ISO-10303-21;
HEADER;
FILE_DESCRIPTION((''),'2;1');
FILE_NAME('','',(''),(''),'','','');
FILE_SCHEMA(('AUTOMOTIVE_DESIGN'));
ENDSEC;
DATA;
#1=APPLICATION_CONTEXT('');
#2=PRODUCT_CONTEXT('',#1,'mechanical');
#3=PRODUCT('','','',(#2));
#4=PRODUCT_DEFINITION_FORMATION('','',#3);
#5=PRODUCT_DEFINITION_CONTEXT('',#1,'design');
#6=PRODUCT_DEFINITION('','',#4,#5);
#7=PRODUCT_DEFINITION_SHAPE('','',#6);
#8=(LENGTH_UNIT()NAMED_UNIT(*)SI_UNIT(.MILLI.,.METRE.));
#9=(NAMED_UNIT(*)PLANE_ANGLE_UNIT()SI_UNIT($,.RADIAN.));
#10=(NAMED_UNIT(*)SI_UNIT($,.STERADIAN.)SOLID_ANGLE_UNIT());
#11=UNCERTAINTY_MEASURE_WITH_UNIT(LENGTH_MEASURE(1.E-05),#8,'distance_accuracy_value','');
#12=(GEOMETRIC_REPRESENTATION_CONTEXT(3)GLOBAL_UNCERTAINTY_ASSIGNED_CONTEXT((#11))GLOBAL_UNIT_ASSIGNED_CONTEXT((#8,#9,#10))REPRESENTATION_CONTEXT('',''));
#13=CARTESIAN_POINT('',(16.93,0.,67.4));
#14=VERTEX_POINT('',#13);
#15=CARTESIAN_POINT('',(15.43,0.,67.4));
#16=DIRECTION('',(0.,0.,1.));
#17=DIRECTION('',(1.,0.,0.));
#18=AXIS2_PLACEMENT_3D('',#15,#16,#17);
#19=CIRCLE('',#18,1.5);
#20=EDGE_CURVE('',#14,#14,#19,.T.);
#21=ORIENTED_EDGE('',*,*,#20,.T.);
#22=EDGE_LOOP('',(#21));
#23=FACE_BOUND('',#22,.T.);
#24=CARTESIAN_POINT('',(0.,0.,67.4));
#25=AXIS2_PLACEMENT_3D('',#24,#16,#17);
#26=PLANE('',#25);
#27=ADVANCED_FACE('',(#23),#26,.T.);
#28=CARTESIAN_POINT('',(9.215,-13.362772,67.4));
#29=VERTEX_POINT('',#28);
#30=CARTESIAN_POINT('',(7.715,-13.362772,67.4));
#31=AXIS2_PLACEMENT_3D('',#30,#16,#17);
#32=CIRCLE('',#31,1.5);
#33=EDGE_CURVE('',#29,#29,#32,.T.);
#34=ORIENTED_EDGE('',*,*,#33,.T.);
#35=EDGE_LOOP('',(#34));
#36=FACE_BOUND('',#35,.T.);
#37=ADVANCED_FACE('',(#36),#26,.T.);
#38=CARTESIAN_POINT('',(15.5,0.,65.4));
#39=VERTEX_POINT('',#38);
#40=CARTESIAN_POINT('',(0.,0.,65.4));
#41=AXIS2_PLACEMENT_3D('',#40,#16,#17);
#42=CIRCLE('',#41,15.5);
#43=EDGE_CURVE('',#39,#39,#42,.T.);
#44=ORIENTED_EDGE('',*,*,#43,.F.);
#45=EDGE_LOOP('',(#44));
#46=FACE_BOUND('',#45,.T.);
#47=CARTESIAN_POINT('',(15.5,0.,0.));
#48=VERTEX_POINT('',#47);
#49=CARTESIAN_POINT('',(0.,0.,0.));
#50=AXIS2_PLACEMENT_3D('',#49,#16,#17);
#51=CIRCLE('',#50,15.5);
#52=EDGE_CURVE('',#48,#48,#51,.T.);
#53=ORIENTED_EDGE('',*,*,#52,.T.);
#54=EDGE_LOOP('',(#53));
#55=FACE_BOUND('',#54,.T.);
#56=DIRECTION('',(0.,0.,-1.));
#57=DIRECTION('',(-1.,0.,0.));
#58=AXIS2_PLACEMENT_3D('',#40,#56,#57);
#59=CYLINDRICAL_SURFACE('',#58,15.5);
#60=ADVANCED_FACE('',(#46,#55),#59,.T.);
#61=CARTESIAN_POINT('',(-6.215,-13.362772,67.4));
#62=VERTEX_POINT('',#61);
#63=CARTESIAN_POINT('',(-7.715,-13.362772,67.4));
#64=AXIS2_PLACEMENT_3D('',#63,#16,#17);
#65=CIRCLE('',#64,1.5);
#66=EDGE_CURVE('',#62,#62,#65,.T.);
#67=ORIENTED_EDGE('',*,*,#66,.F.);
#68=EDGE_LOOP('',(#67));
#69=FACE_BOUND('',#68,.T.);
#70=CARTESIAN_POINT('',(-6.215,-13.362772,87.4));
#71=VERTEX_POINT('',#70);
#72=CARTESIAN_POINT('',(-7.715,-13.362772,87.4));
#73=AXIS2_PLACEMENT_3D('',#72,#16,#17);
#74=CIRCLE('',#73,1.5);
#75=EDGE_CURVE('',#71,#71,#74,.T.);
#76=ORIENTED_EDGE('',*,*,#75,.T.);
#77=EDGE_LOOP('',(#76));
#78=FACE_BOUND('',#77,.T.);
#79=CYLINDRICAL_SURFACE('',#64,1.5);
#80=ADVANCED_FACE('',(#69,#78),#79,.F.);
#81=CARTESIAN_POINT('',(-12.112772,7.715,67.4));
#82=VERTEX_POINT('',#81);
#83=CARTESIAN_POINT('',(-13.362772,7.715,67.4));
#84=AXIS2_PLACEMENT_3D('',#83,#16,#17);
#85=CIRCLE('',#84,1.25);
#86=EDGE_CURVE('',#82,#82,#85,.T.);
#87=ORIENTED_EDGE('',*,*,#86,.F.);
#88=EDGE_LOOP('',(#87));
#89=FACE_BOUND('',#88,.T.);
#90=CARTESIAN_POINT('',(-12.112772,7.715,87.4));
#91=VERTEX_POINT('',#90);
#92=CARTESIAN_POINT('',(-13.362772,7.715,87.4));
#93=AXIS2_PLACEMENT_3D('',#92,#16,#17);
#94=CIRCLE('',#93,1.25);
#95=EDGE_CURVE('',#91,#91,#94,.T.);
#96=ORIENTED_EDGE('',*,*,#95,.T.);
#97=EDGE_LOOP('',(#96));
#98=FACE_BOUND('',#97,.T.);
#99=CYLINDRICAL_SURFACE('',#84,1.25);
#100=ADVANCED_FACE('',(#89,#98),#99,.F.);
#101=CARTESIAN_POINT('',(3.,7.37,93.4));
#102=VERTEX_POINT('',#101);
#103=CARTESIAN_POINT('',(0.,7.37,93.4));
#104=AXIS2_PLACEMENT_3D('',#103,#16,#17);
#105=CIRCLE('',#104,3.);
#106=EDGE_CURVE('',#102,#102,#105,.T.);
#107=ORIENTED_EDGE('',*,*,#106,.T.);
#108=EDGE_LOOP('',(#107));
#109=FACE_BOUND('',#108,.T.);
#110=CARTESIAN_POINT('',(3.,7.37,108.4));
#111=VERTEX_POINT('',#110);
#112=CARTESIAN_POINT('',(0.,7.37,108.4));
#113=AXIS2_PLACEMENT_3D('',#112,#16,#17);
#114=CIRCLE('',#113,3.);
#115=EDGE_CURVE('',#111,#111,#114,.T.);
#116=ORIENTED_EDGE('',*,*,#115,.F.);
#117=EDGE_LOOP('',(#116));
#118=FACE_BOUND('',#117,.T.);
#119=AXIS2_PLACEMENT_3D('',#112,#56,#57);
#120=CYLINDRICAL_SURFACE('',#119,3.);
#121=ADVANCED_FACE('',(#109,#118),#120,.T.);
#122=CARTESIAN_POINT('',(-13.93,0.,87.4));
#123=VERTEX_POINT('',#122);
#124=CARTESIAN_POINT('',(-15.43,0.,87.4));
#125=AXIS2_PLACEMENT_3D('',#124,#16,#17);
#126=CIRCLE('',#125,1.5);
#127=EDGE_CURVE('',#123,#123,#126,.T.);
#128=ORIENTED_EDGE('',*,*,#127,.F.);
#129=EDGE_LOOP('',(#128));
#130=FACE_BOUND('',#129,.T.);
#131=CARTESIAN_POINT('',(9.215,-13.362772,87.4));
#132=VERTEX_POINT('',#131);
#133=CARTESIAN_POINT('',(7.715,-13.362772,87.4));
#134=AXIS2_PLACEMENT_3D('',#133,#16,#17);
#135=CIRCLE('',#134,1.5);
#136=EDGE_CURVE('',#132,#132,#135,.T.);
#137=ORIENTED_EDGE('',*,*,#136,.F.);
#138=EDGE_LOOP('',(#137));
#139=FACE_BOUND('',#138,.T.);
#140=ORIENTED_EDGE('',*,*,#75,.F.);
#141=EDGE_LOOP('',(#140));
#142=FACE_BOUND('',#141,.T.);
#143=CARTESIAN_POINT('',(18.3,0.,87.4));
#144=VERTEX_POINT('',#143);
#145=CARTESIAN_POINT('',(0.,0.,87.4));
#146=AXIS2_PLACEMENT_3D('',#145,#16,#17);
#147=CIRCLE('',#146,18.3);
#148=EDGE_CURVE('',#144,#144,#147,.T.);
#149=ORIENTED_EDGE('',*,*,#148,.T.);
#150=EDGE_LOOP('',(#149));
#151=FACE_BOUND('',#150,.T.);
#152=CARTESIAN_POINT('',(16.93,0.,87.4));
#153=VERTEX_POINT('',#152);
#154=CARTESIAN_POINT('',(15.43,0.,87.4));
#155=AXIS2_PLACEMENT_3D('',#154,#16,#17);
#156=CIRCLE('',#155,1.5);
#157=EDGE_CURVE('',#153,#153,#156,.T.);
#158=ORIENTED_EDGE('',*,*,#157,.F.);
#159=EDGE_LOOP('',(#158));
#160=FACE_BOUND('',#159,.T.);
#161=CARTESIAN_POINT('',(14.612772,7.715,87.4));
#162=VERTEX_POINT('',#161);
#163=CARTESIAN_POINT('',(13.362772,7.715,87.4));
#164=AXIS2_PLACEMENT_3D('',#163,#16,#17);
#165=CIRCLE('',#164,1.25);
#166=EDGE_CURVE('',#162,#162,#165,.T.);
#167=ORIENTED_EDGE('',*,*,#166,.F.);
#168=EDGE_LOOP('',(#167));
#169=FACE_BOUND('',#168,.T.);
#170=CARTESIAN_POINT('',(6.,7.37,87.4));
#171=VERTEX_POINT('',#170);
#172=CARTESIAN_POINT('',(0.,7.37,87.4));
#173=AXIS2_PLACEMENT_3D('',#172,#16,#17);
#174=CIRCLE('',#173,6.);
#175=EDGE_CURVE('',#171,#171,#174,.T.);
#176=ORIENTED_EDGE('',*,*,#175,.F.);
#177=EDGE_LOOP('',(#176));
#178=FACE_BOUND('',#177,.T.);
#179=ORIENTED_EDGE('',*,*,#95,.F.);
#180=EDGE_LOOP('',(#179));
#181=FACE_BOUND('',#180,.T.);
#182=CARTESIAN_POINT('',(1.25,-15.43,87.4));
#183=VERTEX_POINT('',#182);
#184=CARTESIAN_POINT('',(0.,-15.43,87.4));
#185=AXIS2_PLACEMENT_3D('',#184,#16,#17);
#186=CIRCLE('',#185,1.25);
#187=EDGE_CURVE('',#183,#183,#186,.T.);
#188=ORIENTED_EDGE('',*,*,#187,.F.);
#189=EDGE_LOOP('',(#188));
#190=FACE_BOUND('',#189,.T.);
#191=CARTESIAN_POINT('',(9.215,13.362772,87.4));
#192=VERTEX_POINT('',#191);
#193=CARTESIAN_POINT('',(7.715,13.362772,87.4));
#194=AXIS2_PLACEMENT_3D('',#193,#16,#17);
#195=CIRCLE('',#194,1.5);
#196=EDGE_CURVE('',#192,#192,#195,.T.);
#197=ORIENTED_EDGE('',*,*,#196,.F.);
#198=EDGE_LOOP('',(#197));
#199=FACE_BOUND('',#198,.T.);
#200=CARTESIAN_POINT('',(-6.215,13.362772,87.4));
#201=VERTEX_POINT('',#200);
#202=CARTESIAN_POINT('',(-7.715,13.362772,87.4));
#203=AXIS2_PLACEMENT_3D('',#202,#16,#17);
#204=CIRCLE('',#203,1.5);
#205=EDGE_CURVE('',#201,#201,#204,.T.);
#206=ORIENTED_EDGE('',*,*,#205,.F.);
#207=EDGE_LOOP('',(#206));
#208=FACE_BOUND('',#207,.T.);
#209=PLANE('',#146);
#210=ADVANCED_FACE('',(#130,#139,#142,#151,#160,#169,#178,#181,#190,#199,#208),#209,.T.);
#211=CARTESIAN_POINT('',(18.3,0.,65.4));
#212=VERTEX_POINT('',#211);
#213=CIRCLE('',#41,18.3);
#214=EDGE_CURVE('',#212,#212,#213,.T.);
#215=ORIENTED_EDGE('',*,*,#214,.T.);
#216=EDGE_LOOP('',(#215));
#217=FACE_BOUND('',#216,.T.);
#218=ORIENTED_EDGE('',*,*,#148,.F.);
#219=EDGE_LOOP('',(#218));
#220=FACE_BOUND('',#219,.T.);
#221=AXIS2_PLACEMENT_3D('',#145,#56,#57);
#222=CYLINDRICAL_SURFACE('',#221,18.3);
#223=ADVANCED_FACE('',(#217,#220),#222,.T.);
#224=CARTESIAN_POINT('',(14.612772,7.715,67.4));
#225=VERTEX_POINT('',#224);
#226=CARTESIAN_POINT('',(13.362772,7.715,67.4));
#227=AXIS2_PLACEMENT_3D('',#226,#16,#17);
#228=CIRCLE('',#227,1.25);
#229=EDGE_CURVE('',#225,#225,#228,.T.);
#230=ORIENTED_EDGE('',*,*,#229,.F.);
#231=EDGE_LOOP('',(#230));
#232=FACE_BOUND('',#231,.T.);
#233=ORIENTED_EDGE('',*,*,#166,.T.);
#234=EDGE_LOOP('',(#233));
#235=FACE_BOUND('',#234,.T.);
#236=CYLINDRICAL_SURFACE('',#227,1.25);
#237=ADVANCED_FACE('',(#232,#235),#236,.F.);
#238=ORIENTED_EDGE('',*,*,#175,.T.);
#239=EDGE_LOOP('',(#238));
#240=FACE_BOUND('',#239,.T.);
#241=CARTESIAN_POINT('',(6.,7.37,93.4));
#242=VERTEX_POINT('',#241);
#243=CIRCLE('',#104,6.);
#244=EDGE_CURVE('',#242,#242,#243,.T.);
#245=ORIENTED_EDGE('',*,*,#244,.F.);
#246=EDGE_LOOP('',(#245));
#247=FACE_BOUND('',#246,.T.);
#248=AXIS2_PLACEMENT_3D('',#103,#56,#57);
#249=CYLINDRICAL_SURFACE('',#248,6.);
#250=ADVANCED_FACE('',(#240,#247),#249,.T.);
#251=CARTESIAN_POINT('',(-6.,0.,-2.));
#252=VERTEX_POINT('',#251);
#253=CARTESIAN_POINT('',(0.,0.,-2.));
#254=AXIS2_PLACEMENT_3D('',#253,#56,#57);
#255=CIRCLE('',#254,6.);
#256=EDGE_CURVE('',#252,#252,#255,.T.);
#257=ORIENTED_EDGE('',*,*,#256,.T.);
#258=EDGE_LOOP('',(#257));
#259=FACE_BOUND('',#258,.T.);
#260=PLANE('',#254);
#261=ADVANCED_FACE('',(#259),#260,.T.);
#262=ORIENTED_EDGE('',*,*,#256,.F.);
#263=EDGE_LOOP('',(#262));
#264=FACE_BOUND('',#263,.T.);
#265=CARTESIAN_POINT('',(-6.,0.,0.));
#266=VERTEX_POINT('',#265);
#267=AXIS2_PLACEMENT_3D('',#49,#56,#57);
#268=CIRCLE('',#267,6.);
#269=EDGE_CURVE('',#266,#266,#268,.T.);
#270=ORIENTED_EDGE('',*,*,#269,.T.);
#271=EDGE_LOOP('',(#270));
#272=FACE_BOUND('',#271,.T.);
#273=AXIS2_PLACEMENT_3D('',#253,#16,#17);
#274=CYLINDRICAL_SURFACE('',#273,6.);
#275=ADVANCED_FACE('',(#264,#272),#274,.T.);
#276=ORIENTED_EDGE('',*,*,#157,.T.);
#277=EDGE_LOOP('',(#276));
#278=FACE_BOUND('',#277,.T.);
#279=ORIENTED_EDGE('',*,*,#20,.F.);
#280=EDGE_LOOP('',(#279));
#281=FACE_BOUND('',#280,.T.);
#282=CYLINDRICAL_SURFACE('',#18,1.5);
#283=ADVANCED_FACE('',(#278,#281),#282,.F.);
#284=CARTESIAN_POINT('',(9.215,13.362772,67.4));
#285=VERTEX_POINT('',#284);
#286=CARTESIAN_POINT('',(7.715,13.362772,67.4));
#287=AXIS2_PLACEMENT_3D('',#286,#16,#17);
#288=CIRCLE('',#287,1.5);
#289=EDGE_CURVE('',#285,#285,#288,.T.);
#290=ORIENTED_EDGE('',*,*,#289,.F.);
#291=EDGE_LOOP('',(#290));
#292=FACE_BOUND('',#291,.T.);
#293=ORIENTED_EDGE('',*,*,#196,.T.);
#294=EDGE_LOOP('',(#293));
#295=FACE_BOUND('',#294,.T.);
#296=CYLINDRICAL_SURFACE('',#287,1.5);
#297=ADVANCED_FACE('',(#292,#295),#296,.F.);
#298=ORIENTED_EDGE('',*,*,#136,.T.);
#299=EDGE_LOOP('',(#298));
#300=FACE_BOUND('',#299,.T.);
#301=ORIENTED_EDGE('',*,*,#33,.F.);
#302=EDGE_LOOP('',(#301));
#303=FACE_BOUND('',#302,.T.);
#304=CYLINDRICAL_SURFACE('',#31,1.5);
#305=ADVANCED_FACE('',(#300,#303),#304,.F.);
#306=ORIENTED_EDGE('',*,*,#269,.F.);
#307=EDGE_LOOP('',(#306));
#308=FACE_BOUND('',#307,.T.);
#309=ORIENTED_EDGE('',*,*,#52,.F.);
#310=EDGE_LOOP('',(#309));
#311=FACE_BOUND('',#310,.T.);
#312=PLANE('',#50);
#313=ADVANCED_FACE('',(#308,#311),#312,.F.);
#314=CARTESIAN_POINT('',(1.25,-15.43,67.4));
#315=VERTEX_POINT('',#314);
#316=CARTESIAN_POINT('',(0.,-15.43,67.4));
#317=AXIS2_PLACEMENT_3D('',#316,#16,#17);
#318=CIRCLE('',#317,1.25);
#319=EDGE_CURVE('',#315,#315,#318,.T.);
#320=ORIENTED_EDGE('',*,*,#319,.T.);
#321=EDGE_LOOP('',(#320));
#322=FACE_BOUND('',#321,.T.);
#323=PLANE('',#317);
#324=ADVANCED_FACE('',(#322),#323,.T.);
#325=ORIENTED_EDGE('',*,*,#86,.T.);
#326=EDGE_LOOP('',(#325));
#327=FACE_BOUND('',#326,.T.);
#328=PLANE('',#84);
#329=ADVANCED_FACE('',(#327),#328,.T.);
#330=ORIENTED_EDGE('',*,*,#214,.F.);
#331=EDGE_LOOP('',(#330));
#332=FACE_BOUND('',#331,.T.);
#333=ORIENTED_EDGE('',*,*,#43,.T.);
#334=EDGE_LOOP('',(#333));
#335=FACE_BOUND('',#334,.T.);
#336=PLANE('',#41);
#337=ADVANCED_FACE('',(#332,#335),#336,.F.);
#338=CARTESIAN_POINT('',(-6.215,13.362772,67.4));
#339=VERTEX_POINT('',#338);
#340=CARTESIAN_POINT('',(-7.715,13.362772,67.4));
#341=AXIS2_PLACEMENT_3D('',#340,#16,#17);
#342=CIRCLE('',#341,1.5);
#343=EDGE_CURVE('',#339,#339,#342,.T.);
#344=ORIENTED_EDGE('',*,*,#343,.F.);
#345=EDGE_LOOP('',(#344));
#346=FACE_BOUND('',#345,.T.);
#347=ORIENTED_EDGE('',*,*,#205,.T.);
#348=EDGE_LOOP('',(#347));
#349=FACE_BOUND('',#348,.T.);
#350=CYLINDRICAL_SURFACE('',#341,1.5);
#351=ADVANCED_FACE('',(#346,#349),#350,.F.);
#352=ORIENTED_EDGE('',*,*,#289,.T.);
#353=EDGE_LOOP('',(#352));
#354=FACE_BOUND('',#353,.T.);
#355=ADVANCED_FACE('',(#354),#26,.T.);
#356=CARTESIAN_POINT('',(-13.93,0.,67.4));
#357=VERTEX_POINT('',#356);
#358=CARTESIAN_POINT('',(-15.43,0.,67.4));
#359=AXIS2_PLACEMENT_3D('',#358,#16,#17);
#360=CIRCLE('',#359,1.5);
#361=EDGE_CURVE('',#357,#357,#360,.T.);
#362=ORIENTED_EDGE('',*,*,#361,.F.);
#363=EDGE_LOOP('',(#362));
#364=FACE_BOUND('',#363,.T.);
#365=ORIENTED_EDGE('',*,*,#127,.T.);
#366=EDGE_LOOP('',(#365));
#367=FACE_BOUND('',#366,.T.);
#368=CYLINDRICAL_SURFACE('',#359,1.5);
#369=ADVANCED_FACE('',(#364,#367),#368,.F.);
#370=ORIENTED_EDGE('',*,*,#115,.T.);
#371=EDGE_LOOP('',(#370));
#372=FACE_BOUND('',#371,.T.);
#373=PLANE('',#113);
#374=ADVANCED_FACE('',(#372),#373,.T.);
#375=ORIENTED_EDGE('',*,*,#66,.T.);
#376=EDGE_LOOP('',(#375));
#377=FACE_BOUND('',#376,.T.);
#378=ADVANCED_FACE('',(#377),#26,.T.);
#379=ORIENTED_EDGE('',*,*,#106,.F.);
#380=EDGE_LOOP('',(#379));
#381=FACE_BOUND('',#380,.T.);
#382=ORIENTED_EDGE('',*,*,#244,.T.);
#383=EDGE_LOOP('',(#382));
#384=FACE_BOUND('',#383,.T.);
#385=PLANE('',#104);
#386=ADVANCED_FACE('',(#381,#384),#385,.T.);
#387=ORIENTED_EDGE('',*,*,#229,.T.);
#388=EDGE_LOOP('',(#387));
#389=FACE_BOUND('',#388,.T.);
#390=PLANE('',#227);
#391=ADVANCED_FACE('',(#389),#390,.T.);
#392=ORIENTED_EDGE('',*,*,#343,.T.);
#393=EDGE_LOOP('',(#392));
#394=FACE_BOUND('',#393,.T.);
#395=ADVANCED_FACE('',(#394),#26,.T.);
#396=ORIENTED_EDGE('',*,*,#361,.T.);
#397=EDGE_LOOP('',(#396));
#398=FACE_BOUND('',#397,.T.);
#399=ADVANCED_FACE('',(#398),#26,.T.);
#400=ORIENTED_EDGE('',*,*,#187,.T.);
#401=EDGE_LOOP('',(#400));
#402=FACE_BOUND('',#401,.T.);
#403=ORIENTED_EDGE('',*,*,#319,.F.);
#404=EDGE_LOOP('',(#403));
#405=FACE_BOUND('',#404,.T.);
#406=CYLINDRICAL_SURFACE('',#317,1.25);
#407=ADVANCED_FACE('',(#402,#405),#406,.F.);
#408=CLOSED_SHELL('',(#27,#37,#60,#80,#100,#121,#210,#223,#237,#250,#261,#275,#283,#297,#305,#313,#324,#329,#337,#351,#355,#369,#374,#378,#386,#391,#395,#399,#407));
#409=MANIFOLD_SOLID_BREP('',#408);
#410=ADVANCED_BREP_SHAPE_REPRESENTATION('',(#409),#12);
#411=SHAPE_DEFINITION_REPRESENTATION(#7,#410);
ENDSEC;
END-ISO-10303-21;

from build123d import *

# Parameters (mm, degrees)
CROQUIS1_R              = 15.5
SALIENTE_EXTRUIR1_DEPTH = 65.4
CROQUIS2_R              = 6
SALIENTE_EXTRUIR2_DEPTH = 2
CROQUIS3_R              = 18.3
SALIENTE_EXTRUIR3_DEPTH = 22
CROQUIS4_R              = 1.5
CORTAR_EXTRUIR1_DEPTH   = 20
CROQUIS5_R              = 1.25
CORTAR_EXTRUIR2_DEPTH   = 20
CROQUIS6_R              = 6
SALIENTE_EXTRUIR4_DEPTH = 6
CROQUIS7_R              = 3
SALIENTE_EXTRUIR5_DEPTH = 15


with BuildPart() as part:
    # Croquis1 → Saliente-Extruir1 (new body)
    with BuildSketch(Plane.XY):
        Circle(CROQUIS1_R)
    extrude(amount=SALIENTE_EXTRUIR1_DEPTH)

    # Croquis2 → Saliente-Extruir2 (add)
    with BuildSketch(Plane(origin=(0, 0, 0), x_dir=(-1, 0, 0), z_dir=(0, 0, -1))):
        Circle(CROQUIS2_R)
    extrude(amount=SALIENTE_EXTRUIR2_DEPTH)

    # Croquis3 → Saliente-Extruir3 (add)
    with BuildSketch(Plane.XY.offset(65.4)):
        Circle(CROQUIS3_R)
    extrude(amount=SALIENTE_EXTRUIR3_DEPTH)

    # Croquis4 → Cortar-Extruir1 (cut)
    with BuildSketch(Plane.XY.offset(87.4)):
        with Locations((-15.43, 0)):
            Circle(CROQUIS4_R)
        with Locations((-7.715, 13.36277198)):
            Circle(CROQUIS4_R)
        with Locations((7.715, 13.36277198)):
            Circle(CROQUIS4_R)
        with Locations((15.43, 0)):
            Circle(CROQUIS4_R)
        with Locations((-7.715, -13.36277198)):
            Circle(CROQUIS4_R)
        with Locations((7.715, -13.36277198)):
            Circle(CROQUIS4_R)
    extrude(amount=-CORTAR_EXTRUIR1_DEPTH, mode=Mode.SUBTRACT)

    # Croquis5 → Cortar-Extruir2 (cut)
    with BuildSketch(Plane.XY.offset(87.4)):
        with Locations((0, -15.43)):
            Circle(CROQUIS5_R)
        with Locations((-13.36277198, 7.715)):
            Circle(CROQUIS5_R)
        with Locations((13.36277198, 7.715)):
            Circle(CROQUIS5_R)
    extrude(amount=-CORTAR_EXTRUIR2_DEPTH, mode=Mode.SUBTRACT)

    # Croquis6 → Saliente-Extruir4 (add)
    with BuildSketch(Plane.XY.offset(87.4)):
        with Locations((0, 7.37)):
            Circle(CROQUIS6_R)
    extrude(amount=SALIENTE_EXTRUIR4_DEPTH)

    # Croquis7 → Saliente-Extruir5 (add)
    with BuildSketch(Plane.XY.offset(93.4)):
        with Locations((0, 7.37)):
            Circle(CROQUIS7_R)
    extrude(amount=SALIENTE_EXTRUIR5_DEPTH)


solid = part.part
